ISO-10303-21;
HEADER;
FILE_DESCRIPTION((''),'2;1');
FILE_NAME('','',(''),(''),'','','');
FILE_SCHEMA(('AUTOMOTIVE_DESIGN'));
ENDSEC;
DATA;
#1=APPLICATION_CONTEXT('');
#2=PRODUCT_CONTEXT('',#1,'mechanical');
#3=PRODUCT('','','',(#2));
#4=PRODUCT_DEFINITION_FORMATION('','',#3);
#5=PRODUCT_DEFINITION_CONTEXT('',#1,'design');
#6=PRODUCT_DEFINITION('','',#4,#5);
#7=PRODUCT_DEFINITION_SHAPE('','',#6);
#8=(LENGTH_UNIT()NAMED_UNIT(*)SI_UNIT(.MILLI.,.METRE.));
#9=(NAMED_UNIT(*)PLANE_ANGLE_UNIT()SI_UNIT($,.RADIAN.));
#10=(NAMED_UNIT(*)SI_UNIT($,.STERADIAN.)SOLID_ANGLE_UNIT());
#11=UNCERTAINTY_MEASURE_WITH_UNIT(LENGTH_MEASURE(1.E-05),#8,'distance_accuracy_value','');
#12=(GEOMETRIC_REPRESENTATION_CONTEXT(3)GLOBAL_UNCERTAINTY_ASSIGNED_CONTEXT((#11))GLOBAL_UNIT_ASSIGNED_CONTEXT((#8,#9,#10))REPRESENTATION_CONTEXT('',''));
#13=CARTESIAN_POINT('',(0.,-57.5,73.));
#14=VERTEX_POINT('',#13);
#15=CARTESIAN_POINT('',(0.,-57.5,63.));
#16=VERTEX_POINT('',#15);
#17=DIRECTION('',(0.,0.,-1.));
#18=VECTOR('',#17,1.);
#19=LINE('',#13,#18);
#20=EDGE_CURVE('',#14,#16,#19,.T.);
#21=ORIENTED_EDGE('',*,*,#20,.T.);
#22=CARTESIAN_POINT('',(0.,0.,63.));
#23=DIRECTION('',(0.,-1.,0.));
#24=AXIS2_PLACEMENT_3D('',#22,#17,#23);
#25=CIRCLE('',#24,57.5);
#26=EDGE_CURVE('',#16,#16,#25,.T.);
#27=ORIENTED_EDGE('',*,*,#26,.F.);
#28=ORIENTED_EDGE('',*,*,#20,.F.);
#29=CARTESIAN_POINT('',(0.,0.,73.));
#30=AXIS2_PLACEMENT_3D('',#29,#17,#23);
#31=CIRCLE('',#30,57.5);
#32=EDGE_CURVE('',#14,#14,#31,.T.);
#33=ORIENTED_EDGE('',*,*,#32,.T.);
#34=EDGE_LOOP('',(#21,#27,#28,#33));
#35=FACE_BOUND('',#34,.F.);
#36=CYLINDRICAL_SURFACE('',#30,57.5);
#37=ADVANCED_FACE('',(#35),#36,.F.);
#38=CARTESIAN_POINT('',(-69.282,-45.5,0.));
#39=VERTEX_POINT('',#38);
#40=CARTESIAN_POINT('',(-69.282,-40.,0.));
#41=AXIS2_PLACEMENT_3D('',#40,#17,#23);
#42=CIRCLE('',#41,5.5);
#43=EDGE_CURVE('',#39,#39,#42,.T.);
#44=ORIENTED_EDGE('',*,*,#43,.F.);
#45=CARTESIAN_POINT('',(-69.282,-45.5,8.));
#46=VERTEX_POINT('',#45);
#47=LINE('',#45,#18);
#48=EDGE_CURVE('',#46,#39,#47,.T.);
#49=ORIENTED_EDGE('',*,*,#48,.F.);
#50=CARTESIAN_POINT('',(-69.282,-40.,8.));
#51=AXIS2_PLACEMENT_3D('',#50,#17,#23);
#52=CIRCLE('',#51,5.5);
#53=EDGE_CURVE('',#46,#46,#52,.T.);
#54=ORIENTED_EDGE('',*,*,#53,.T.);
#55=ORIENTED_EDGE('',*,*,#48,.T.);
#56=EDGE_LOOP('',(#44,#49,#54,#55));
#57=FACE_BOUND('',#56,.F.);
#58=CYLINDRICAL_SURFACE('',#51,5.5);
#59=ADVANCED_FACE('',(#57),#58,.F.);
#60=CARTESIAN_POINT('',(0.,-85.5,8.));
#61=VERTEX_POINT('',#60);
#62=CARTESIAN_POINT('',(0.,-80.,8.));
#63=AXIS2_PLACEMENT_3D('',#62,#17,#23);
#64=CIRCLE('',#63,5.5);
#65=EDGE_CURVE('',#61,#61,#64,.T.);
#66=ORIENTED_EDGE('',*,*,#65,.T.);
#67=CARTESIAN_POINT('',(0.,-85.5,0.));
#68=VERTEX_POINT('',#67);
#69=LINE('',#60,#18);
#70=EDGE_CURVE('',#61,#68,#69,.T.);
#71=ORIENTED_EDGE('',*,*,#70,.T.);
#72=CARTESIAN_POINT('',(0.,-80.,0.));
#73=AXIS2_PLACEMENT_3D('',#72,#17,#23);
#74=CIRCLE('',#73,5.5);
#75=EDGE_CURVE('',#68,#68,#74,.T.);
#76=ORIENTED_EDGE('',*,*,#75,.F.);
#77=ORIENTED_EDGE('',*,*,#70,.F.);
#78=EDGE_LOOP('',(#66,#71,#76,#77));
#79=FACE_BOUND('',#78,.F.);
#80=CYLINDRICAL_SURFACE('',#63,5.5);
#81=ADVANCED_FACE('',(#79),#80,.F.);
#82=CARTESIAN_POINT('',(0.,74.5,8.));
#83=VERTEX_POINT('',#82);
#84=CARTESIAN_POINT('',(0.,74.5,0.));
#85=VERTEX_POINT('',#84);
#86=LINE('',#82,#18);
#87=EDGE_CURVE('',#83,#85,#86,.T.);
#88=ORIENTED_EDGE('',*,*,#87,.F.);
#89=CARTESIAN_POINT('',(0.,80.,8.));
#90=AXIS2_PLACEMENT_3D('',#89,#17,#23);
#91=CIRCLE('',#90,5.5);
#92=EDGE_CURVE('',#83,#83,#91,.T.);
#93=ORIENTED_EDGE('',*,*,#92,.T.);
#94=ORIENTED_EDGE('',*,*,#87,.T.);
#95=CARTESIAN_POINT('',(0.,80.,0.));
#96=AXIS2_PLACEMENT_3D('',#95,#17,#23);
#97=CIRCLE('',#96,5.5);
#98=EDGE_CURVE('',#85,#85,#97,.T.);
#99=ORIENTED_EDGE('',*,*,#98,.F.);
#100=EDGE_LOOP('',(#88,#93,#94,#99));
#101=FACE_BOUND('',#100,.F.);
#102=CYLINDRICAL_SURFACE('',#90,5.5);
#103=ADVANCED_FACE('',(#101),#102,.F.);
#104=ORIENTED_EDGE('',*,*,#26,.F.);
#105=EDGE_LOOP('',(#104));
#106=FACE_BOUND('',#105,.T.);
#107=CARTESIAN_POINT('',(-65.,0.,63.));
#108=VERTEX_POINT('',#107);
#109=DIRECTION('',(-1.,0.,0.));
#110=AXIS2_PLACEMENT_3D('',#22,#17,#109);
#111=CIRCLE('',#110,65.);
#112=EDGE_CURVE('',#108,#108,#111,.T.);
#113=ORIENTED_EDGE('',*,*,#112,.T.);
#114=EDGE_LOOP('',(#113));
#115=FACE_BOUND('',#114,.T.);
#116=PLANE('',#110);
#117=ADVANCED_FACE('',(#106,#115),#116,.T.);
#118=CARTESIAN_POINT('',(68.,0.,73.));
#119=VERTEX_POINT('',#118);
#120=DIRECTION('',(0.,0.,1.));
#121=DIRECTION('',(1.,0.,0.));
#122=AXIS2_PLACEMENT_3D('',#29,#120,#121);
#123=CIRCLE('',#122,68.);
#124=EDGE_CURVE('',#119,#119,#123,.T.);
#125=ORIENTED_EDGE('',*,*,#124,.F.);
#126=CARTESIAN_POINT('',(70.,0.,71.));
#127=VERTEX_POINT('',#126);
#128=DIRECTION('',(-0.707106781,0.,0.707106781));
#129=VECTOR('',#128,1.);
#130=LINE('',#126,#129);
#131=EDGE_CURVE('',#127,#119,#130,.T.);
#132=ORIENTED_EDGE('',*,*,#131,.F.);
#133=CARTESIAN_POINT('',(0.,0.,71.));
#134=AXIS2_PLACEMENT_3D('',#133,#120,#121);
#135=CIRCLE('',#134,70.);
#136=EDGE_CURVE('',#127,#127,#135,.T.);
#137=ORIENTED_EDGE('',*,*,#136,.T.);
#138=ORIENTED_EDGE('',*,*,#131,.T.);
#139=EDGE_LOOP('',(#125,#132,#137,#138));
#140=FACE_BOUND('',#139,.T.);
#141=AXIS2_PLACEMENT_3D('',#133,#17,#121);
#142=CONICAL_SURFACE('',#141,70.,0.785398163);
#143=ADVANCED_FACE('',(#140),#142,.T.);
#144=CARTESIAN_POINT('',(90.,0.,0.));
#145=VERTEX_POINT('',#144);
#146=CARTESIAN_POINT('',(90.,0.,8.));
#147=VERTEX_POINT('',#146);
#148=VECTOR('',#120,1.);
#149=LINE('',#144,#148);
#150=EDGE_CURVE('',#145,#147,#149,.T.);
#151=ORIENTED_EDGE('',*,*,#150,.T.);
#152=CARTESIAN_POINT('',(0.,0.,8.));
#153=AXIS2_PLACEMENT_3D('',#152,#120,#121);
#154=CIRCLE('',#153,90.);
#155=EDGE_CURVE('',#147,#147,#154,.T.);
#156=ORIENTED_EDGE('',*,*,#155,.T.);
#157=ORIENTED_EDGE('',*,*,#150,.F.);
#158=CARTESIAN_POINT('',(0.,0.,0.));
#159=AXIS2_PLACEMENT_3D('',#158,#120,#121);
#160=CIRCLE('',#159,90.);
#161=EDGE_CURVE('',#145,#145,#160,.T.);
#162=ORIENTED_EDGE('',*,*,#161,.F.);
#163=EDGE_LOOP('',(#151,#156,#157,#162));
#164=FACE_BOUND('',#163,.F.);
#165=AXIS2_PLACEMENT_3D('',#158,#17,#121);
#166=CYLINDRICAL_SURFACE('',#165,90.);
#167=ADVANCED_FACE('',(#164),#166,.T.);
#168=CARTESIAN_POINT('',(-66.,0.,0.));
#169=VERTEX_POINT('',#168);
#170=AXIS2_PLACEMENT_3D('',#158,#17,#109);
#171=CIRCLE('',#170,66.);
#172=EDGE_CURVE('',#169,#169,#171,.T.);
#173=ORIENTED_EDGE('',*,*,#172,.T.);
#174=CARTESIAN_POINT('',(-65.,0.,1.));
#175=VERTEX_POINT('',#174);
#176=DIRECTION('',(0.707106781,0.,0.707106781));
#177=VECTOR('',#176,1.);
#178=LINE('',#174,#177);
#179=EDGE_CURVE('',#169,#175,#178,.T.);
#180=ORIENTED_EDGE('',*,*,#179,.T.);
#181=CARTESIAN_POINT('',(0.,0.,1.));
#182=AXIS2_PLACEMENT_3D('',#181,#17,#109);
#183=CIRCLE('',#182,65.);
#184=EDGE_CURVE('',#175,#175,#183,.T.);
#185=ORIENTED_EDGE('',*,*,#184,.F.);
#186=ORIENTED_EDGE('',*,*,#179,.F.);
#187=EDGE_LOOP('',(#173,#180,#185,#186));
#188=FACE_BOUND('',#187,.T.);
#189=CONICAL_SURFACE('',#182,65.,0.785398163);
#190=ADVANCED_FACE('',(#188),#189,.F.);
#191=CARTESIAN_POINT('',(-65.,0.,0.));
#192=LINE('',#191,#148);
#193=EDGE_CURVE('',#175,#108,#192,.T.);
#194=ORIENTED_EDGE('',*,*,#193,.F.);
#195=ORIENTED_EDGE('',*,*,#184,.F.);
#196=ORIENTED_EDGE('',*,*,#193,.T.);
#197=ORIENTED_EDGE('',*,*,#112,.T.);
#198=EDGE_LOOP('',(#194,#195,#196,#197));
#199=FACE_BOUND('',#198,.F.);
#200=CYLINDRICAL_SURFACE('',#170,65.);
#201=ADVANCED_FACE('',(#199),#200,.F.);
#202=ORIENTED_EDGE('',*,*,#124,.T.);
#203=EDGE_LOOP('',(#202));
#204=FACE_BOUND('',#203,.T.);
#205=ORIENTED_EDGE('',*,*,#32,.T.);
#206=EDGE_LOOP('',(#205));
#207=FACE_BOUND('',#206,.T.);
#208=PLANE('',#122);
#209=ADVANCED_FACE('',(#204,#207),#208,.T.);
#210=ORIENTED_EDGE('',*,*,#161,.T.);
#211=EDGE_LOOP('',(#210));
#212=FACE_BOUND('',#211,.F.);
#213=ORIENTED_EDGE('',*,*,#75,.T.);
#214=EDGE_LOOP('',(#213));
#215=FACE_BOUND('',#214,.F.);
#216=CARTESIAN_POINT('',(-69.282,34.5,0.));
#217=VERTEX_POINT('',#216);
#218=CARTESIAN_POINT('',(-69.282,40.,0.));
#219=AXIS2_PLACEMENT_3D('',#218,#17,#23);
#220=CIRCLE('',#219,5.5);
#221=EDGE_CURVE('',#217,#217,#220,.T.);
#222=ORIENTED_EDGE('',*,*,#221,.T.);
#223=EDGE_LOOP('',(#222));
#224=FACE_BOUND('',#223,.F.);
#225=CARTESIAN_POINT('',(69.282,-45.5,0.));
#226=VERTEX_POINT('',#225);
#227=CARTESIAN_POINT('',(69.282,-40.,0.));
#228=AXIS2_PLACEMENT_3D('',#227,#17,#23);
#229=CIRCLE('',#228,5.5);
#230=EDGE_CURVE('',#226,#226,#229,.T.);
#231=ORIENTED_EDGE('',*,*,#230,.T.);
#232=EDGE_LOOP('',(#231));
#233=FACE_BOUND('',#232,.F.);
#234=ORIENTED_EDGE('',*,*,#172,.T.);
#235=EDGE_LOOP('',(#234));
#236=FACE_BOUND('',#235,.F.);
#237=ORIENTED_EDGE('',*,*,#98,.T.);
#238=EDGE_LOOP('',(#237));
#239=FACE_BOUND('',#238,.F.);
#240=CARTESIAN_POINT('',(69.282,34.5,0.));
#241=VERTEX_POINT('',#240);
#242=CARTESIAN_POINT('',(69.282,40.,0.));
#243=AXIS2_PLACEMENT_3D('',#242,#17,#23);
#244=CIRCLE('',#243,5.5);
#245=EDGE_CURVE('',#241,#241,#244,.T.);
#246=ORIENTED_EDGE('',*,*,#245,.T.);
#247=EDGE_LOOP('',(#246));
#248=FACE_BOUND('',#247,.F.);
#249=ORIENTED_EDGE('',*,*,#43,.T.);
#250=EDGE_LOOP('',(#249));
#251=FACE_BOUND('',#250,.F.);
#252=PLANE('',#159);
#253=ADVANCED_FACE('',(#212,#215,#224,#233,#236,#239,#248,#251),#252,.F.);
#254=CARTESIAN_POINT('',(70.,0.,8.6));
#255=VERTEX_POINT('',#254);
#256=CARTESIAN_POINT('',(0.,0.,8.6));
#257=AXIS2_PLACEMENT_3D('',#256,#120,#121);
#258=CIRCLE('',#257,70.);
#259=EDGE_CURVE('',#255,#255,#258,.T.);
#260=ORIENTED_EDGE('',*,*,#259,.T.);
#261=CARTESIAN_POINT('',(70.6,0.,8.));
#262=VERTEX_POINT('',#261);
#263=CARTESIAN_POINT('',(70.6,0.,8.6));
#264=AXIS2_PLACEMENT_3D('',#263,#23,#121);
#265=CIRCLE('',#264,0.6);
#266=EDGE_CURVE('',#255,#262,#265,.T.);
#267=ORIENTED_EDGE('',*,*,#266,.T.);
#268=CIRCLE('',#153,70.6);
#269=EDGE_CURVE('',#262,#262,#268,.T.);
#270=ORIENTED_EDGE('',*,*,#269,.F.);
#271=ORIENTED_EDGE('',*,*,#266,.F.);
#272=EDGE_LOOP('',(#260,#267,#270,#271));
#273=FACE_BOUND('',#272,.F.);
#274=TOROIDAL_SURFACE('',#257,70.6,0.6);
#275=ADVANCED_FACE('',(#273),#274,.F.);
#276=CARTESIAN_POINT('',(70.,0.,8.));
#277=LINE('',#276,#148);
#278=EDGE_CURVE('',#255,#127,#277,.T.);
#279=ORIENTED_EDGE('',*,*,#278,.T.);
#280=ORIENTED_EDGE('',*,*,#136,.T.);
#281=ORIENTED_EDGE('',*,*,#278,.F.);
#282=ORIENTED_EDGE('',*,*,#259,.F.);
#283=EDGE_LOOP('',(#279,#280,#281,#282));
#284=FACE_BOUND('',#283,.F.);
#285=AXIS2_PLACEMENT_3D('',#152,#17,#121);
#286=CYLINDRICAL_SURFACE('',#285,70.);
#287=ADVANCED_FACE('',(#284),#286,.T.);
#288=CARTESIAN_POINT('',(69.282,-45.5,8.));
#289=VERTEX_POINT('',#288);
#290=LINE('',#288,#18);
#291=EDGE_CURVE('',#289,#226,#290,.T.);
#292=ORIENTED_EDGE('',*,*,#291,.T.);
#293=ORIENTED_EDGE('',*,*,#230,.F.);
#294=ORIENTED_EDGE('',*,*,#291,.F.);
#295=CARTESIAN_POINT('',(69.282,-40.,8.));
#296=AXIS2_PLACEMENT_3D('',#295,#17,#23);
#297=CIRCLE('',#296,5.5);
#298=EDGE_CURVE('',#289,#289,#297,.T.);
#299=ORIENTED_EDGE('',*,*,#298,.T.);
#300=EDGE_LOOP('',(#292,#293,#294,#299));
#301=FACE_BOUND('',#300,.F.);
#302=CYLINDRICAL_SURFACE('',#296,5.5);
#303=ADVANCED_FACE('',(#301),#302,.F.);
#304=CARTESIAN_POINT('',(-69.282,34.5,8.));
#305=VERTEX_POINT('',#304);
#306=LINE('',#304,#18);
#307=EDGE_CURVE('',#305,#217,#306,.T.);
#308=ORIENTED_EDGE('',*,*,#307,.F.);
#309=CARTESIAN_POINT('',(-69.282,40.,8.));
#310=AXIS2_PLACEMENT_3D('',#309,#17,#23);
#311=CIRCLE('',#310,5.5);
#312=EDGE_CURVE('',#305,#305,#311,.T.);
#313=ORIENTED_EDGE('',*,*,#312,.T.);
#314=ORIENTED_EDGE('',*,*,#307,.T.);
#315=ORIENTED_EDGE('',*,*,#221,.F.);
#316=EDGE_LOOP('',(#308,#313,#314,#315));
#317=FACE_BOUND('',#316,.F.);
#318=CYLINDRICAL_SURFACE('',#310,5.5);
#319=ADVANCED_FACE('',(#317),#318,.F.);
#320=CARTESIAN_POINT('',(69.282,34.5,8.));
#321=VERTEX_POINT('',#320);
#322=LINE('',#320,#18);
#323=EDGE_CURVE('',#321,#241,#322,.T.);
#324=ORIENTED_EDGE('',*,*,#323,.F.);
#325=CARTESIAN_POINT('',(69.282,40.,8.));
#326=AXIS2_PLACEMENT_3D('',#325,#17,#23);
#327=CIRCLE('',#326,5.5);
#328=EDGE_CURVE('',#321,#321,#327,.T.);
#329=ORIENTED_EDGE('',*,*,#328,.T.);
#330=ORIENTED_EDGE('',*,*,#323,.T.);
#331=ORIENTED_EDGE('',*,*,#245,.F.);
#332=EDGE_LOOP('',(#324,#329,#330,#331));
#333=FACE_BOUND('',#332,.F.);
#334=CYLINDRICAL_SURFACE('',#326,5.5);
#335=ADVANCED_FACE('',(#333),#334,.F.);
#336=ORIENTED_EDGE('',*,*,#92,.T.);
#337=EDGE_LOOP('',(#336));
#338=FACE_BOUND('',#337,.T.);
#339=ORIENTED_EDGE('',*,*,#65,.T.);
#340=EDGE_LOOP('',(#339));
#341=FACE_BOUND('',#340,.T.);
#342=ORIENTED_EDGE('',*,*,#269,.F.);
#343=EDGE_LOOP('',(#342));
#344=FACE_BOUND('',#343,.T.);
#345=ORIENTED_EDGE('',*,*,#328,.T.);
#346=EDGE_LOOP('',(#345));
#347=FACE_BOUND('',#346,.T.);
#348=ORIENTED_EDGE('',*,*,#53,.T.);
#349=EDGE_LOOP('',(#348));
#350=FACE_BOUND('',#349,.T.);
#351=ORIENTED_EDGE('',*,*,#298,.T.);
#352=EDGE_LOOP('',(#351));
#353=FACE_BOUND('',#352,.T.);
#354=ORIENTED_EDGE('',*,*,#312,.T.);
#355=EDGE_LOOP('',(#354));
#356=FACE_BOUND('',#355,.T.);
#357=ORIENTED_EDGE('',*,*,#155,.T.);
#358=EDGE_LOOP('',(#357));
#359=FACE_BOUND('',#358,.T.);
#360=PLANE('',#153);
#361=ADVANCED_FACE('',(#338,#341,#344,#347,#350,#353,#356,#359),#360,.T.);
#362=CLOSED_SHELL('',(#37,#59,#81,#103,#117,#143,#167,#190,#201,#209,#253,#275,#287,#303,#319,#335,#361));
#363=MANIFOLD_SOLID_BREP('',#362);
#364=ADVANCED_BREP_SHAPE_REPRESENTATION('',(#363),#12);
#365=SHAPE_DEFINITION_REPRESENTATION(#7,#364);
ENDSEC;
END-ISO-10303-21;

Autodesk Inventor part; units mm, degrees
ref_plane "YZ Plane" through (0, 0, 0) normal (1, 0, 0) x (0, 1, 0)
ref_plane "XZ Plane" through (0, 0, 0) normal (0, 1, 0) x (-1, 0, 0)
ref_plane "XY Plane" through (0, 0, 0) normal (0, 0, 1) x (1, 0, 0)
sketch "Эскиз1" plane through (0, 0, 0) normal (0, 0, 1) x (1, 0, 0)
  circle A0 centre (0, 0) radius 90
  dimension "d0" = 180
extrude "Выдавливание1" add sketch "Эскиз1" along normal blind 8
sketch "Эскиз2" plane through (0, 0, 8) normal (0, 0, 1) x (1, 0, 0)
  point P0 (0, 0)
sketch "Эскиз3" plane through (0, 0, 8) normal (0, 0, 1) x (1, 0, 0)
  circle A0 centre (0, 0) radius 70
  dimension "d4" = 140
extrude "Выдавливание2" add sketch "Эскиз3" along normal blind 65
sketch "Эскиз4" plane through (0, 0, 0) normal (0, 0, -1) x (-1, 0, 0)
  circle A0 centre (0, 0) radius 65
  dimension "d7" = 130
extrude "Выдавливание3" cut sketch "Эскиз4" against normal blind 63
chamfer "Фаска1" distance 1 angle 45 1 edges at (65, 0, 0)
chamfer "Фаска2" distance 2 angle 45 1 edges at (-70, 0, 73)
sketch "Эскиз5" plane through (0, 0, 8) normal (0, 0, 1) x (1, 0, 0)
  line L0 (0, 0) -> (0, 90)
  circle A0 centre (0, 0) radius 90 projected
  line L1 (0, 0) -> (-77.9423, 45)
  line L2 (0, 0) -> (-77.9423, -45)
  line L3 (0, 0) -> (0, -90)
  line L4 (0, 0) -> (77.9423, -45)
  line L5 (0, 0) -> (77.9423, 45)
  dimension "d18" = 360
sketch "Эскиз6" plane through (0, 0, 8) normal (0, 0, 1) x (1, 0, 0)
  point P0 (0, 0)
sketch "Эскиз7" plane through (0, 0, 8) normal (0, 0, 1) x (1, 0, 0)
  point P0 (0, 0)
sketch "Эскиз8" plane through (0, 0, 8) normal (0, 0, 1) x (1, 0, 0)
  point P0 (0, 0)
sketch "Эскиз9" plane through (0, 0, 73) normal (0, 0, 1) x (1, 0, 0)
  point P0 (0, 0)
sketch "Эскиз10" plane through (0, 0, 73) normal (0, 0, 1) x (1, 0, 0)
  circle A0 centre (0, 0) radius 57.5
  dimension "d20" = 115
sketch "Эскиз11" plane through (0, 0, 63) normal (0, 0, -1) x (-1, 0, 0)
  circle A0 centre (0, 0) radius 57.5
  dimension "d21" = 115
hole "Отверстие1" at (0, 0, 73) direction (0, 0, -1) diameter 115 end through all
sketch "Эскиз12" plane through (0, 0, 8) normal (0, 0, 1) x (1, 0, 0)
  circle A0 centre (0, 0) radius 80
  circle A1 centre (0, 0) radius 70 projected
  point P0 (0, 80)
  point P1 (-69.282, 40)
  point P2 (-69.282, -40)
  point P3 (0, -80)
  point P4 (69.282, -40)
  point P5 (69.282, 40)
  dimension "d29" = 160
  dimension "d32" = 360
hole "Отверстие2" at (0, 80, 8) at (69.282, 40, 8) at (69.282, -40, 8) at (0, -80, 8) at (-69.282, -40, 8) at (-69.282, 40, 8) direction (0, 0, -1) diameter 11 end through all
fillet "Сопряжение1" radius 0.6 1 edges at (-70, 0, 8)
